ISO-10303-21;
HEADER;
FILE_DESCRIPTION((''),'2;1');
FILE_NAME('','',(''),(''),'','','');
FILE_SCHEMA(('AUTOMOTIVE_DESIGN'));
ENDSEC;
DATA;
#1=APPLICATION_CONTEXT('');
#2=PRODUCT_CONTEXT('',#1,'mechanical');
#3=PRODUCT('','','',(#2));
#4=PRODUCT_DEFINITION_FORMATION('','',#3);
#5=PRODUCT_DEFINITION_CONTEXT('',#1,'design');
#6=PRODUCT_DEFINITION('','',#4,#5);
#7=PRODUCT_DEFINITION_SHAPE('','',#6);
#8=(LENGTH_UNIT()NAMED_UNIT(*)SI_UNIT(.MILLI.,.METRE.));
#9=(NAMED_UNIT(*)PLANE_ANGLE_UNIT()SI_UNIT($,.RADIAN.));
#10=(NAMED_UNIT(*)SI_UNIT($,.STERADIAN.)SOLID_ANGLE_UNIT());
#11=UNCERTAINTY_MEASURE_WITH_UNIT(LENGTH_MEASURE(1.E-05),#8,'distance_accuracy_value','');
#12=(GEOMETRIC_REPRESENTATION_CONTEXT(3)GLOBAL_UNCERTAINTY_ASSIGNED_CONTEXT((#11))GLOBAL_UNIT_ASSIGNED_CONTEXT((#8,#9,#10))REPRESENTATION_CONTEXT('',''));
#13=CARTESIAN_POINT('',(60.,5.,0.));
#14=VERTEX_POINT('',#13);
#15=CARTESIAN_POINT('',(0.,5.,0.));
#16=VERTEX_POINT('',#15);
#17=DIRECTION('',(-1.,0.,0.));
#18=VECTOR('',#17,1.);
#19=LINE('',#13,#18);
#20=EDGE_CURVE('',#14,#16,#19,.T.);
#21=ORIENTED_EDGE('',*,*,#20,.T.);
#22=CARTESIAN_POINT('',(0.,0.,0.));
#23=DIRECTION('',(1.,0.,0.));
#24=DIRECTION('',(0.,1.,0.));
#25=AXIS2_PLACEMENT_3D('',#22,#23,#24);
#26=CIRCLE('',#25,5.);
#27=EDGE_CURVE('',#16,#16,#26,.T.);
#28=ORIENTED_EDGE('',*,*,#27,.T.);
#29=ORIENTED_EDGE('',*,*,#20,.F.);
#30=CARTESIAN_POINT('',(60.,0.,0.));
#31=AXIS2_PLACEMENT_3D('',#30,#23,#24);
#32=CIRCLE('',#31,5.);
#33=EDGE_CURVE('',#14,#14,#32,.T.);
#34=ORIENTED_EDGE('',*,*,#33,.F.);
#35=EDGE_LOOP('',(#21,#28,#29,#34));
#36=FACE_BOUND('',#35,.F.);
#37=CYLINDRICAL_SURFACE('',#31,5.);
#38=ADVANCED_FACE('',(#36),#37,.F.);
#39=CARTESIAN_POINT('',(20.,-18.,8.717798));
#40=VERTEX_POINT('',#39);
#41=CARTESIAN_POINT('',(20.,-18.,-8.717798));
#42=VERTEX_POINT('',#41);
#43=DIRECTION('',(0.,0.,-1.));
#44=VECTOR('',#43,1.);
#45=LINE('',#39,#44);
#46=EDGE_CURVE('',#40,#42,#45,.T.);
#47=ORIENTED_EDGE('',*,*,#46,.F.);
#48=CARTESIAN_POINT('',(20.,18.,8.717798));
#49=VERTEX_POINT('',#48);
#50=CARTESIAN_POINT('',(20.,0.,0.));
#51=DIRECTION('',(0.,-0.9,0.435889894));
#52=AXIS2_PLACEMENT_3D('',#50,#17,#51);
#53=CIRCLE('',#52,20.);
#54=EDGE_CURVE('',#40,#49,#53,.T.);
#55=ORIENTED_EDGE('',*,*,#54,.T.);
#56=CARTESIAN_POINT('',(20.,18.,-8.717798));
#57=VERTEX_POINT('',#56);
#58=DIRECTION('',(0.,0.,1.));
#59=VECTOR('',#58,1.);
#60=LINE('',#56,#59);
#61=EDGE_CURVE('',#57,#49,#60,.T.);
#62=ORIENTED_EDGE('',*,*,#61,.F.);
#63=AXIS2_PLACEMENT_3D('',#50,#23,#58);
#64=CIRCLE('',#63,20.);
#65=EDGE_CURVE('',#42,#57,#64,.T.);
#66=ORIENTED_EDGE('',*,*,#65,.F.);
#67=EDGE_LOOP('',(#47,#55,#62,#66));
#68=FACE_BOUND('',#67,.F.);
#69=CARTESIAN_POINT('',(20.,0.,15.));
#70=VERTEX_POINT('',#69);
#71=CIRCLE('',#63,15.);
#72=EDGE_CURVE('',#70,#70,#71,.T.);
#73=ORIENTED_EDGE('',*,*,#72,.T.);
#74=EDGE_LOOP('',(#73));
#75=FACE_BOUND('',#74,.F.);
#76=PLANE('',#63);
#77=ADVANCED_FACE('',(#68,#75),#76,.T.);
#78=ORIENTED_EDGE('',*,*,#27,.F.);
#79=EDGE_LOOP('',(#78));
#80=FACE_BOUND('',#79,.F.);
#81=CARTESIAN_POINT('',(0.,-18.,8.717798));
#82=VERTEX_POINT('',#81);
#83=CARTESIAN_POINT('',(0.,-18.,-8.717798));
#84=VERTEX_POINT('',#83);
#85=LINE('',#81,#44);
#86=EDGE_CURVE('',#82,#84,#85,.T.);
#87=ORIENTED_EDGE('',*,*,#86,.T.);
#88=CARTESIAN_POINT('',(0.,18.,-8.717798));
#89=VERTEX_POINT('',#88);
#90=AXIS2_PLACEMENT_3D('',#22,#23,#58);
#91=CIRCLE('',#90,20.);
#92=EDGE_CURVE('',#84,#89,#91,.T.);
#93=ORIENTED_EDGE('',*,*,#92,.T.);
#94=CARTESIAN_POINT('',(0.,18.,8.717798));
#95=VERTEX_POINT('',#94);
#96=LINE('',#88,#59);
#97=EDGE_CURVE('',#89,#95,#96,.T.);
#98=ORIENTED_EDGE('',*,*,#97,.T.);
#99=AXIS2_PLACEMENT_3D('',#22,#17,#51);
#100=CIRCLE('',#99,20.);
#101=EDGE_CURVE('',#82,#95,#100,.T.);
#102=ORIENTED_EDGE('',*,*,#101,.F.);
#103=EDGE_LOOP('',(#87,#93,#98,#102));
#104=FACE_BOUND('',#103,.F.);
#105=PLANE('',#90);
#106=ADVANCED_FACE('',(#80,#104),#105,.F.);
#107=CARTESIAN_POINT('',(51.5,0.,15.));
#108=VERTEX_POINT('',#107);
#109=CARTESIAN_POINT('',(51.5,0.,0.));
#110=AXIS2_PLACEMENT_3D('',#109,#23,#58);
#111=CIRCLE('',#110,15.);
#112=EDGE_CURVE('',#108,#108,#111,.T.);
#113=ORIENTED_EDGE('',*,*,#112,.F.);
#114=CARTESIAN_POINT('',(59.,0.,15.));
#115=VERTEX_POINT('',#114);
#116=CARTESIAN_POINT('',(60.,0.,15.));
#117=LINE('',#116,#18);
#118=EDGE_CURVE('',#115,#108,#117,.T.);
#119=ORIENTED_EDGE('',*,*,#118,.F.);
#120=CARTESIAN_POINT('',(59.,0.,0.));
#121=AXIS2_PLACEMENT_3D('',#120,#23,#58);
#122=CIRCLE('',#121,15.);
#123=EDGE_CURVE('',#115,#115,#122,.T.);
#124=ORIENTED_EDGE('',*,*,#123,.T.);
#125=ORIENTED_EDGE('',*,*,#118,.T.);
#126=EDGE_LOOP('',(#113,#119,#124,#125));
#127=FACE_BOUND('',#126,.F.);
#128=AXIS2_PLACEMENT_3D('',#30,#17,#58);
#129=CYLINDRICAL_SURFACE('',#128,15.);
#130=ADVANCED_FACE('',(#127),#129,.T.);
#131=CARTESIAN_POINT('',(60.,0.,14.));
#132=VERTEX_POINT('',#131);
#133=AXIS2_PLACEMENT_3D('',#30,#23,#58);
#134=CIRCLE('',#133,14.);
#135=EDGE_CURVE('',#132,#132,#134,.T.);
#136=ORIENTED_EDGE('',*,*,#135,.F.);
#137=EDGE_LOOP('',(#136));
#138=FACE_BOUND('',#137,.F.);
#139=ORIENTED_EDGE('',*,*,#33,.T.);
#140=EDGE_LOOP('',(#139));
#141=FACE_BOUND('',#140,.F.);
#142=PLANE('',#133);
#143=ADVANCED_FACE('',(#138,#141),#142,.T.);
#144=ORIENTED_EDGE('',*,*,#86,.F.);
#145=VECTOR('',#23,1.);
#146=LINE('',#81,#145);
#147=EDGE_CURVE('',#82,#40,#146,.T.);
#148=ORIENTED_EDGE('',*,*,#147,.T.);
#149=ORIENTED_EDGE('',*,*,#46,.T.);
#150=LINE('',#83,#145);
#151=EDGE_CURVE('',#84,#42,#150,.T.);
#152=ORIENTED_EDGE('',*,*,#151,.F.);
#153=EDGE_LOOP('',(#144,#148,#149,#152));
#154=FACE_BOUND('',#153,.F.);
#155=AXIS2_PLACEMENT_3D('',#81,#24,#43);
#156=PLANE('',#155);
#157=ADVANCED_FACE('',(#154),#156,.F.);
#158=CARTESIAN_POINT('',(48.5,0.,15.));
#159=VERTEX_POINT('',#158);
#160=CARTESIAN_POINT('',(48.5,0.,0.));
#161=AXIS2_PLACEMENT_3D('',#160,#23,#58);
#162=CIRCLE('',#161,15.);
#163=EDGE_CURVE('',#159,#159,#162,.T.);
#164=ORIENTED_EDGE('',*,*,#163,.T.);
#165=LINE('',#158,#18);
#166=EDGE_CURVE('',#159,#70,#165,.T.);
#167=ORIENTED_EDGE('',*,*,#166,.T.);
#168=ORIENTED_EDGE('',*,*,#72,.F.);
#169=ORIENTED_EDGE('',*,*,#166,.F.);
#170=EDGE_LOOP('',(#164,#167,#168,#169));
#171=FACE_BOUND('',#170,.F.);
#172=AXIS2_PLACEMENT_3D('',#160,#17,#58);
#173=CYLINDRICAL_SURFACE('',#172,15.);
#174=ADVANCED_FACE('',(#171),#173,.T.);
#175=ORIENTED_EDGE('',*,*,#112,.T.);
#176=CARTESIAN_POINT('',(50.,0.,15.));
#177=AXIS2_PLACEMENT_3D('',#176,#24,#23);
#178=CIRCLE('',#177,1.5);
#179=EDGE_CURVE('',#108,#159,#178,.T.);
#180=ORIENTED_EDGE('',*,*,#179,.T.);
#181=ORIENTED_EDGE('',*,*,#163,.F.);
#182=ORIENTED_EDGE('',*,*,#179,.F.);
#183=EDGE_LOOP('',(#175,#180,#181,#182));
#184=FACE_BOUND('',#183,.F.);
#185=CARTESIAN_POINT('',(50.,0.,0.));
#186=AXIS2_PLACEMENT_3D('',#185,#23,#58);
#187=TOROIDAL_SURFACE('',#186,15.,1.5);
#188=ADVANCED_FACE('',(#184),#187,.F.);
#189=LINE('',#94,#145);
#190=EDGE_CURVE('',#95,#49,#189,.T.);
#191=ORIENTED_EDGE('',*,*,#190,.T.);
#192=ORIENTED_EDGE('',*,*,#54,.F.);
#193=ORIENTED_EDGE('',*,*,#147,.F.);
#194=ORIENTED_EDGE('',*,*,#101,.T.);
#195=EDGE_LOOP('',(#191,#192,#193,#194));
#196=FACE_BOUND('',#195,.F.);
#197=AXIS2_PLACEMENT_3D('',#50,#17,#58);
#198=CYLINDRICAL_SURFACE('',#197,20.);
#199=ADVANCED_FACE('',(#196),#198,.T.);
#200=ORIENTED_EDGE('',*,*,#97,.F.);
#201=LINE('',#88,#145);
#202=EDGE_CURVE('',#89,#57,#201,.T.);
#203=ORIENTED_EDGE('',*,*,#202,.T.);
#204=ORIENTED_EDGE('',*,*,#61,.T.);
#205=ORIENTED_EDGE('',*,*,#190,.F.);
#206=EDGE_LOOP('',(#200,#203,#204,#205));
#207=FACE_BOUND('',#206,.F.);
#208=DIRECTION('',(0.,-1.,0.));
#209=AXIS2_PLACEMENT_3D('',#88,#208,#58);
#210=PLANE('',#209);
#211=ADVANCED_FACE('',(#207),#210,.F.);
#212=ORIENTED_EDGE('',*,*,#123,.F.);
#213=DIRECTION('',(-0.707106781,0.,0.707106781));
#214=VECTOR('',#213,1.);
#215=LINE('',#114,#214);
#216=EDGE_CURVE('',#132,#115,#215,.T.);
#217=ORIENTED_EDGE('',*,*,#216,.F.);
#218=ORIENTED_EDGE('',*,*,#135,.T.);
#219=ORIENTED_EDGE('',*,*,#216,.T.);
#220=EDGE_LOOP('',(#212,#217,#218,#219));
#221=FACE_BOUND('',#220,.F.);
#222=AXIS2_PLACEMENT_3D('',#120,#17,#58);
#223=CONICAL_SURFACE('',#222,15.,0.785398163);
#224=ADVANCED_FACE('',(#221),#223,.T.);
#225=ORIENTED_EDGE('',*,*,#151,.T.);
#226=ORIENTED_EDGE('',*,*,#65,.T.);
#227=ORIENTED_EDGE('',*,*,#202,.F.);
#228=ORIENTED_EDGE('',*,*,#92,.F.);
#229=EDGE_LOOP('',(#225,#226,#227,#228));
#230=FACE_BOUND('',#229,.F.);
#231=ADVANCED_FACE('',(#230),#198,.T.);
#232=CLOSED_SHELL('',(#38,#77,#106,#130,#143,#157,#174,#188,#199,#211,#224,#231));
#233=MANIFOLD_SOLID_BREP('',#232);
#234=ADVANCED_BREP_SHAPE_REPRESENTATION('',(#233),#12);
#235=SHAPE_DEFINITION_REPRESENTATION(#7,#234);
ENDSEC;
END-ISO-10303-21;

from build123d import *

# Parameters (mm, degrees)
F2_SIZE  = 1
F3_R     = 5
F4_DEPTH = 60.001
F6_DEPTH = 20


with BuildPart() as f1:
    # F0 (on Front) → F1 (revolve)
    with BuildSketch(Plane.XZ):
        with BuildLine():
            Line((0, 20), (0, 0))
            Line((0, 0), (60, 0))
            Line((60, 0), (60, 15))
            Line((60, 15), (51.5, 15))
            ThreePointArc((51.5, 15), (50, 13.5), (48.5, 15))
            Line((48.5, 15), (20, 15))
            Line((20, 15), (20, 20))
            Line((20, 20), (0, 20))
        make_face()
    revolve(axis=Axis((18.177086444, 0, 0), (1, 0, 0)))

    # F2
    f2_edges = [f1.edges().sort_by_distance(p)[0] for p in [
        (60, 0, -15),
    ]]
    chamfer(f2_edges, length=F2_SIZE)

    # F3 (on face) → F4 (cut, through all)
    with BuildSketch(Plane.YZ.offset(60)):
        Circle(F3_R)
    extrude(amount=-F4_DEPTH, mode=Mode.SUBTRACT)

    # F5 (on face) → F6 (cut, through all)
    with BuildSketch(Plane(origin=(0, 0, 0), x_dir=(0, -1, 0), z_dir=(-1, 0, 0))):
        with BuildLine():
            Line((-18, -8.7177978871), (-18, 8.7177978871))
            ThreePointArc((-18, 8.7177978871), (-20, 0), (-18, -8.7177978871))
        make_face()
        with BuildLine():
            ThreePointArc((20, 0), (19.4935886896, 4.472135955), (18, 8.7177978871))
            Line((18, 8.7177978871), (18, -8.7177978871))
            ThreePointArc((18, -8.7177978871), (19.4935886896, -4.472135955), (20, 0))
        make_face()
    extrude(amount=-F6_DEPTH, mode=Mode.SUBTRACT)


solid = f1.part
